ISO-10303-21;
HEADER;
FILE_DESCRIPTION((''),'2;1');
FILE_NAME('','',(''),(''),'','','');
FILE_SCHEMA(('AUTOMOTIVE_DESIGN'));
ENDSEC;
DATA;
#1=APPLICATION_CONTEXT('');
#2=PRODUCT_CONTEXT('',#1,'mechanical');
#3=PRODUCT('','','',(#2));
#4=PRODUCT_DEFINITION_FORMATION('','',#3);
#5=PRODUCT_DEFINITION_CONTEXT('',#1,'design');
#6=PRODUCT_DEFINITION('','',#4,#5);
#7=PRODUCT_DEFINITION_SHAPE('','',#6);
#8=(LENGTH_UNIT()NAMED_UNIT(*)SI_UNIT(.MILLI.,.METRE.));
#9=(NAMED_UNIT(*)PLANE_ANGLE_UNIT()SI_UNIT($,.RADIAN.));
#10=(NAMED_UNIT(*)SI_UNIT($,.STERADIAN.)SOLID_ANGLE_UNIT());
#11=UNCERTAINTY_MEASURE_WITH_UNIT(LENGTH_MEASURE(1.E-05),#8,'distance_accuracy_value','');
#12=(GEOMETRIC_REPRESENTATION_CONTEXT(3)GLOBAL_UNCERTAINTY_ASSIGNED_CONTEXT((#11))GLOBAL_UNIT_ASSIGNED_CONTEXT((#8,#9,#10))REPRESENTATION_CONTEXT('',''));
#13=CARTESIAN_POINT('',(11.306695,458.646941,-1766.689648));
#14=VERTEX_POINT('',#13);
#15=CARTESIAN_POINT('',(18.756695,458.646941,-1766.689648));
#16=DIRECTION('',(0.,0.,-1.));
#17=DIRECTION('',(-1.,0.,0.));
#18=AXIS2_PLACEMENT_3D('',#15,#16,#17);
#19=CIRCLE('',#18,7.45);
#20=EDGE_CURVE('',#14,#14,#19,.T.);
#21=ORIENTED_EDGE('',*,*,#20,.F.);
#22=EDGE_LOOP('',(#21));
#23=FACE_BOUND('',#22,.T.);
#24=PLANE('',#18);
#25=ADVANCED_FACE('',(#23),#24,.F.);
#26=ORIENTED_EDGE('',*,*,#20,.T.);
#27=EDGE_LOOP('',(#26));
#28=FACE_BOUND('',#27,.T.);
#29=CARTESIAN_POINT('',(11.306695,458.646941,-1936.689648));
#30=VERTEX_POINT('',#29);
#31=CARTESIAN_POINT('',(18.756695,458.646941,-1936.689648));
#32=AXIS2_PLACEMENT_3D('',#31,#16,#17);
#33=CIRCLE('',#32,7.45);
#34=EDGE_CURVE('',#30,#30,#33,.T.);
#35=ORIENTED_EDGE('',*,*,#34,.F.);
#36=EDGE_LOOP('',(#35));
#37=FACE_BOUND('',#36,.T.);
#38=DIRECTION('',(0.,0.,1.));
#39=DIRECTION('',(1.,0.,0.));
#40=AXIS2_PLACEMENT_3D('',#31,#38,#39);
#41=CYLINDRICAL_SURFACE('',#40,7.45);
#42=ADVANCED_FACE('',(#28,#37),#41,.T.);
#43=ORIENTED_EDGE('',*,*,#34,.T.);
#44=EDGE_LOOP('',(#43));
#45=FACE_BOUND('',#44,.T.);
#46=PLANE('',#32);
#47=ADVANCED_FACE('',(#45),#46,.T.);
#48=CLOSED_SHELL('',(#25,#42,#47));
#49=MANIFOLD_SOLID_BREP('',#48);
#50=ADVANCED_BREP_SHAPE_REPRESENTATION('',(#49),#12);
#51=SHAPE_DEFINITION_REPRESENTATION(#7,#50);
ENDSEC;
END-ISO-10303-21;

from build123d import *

# Parameters (mm, degrees)
SKETCH2_R           = 7.45
BOSS_EXTRUDE1_DEPTH = 170


with BuildPart() as part:
    # Sketch2 → Boss-Extrude1 (new body)
    with BuildSketch(Plane(origin=(138.381396872, 469.412718149, -1766.689647619), x_dir=(-0.431210304148542, -0.9022514469903177, 0), z_dir=(0, 0, -1))):
        with Locations(Location((61.296841845, 103.289246365, 0), (0, 0, 64.455606369))):
            Circle(SKETCH2_R)
    extrude(amount=BOSS_EXTRUDE1_DEPTH)


solid = part.part
